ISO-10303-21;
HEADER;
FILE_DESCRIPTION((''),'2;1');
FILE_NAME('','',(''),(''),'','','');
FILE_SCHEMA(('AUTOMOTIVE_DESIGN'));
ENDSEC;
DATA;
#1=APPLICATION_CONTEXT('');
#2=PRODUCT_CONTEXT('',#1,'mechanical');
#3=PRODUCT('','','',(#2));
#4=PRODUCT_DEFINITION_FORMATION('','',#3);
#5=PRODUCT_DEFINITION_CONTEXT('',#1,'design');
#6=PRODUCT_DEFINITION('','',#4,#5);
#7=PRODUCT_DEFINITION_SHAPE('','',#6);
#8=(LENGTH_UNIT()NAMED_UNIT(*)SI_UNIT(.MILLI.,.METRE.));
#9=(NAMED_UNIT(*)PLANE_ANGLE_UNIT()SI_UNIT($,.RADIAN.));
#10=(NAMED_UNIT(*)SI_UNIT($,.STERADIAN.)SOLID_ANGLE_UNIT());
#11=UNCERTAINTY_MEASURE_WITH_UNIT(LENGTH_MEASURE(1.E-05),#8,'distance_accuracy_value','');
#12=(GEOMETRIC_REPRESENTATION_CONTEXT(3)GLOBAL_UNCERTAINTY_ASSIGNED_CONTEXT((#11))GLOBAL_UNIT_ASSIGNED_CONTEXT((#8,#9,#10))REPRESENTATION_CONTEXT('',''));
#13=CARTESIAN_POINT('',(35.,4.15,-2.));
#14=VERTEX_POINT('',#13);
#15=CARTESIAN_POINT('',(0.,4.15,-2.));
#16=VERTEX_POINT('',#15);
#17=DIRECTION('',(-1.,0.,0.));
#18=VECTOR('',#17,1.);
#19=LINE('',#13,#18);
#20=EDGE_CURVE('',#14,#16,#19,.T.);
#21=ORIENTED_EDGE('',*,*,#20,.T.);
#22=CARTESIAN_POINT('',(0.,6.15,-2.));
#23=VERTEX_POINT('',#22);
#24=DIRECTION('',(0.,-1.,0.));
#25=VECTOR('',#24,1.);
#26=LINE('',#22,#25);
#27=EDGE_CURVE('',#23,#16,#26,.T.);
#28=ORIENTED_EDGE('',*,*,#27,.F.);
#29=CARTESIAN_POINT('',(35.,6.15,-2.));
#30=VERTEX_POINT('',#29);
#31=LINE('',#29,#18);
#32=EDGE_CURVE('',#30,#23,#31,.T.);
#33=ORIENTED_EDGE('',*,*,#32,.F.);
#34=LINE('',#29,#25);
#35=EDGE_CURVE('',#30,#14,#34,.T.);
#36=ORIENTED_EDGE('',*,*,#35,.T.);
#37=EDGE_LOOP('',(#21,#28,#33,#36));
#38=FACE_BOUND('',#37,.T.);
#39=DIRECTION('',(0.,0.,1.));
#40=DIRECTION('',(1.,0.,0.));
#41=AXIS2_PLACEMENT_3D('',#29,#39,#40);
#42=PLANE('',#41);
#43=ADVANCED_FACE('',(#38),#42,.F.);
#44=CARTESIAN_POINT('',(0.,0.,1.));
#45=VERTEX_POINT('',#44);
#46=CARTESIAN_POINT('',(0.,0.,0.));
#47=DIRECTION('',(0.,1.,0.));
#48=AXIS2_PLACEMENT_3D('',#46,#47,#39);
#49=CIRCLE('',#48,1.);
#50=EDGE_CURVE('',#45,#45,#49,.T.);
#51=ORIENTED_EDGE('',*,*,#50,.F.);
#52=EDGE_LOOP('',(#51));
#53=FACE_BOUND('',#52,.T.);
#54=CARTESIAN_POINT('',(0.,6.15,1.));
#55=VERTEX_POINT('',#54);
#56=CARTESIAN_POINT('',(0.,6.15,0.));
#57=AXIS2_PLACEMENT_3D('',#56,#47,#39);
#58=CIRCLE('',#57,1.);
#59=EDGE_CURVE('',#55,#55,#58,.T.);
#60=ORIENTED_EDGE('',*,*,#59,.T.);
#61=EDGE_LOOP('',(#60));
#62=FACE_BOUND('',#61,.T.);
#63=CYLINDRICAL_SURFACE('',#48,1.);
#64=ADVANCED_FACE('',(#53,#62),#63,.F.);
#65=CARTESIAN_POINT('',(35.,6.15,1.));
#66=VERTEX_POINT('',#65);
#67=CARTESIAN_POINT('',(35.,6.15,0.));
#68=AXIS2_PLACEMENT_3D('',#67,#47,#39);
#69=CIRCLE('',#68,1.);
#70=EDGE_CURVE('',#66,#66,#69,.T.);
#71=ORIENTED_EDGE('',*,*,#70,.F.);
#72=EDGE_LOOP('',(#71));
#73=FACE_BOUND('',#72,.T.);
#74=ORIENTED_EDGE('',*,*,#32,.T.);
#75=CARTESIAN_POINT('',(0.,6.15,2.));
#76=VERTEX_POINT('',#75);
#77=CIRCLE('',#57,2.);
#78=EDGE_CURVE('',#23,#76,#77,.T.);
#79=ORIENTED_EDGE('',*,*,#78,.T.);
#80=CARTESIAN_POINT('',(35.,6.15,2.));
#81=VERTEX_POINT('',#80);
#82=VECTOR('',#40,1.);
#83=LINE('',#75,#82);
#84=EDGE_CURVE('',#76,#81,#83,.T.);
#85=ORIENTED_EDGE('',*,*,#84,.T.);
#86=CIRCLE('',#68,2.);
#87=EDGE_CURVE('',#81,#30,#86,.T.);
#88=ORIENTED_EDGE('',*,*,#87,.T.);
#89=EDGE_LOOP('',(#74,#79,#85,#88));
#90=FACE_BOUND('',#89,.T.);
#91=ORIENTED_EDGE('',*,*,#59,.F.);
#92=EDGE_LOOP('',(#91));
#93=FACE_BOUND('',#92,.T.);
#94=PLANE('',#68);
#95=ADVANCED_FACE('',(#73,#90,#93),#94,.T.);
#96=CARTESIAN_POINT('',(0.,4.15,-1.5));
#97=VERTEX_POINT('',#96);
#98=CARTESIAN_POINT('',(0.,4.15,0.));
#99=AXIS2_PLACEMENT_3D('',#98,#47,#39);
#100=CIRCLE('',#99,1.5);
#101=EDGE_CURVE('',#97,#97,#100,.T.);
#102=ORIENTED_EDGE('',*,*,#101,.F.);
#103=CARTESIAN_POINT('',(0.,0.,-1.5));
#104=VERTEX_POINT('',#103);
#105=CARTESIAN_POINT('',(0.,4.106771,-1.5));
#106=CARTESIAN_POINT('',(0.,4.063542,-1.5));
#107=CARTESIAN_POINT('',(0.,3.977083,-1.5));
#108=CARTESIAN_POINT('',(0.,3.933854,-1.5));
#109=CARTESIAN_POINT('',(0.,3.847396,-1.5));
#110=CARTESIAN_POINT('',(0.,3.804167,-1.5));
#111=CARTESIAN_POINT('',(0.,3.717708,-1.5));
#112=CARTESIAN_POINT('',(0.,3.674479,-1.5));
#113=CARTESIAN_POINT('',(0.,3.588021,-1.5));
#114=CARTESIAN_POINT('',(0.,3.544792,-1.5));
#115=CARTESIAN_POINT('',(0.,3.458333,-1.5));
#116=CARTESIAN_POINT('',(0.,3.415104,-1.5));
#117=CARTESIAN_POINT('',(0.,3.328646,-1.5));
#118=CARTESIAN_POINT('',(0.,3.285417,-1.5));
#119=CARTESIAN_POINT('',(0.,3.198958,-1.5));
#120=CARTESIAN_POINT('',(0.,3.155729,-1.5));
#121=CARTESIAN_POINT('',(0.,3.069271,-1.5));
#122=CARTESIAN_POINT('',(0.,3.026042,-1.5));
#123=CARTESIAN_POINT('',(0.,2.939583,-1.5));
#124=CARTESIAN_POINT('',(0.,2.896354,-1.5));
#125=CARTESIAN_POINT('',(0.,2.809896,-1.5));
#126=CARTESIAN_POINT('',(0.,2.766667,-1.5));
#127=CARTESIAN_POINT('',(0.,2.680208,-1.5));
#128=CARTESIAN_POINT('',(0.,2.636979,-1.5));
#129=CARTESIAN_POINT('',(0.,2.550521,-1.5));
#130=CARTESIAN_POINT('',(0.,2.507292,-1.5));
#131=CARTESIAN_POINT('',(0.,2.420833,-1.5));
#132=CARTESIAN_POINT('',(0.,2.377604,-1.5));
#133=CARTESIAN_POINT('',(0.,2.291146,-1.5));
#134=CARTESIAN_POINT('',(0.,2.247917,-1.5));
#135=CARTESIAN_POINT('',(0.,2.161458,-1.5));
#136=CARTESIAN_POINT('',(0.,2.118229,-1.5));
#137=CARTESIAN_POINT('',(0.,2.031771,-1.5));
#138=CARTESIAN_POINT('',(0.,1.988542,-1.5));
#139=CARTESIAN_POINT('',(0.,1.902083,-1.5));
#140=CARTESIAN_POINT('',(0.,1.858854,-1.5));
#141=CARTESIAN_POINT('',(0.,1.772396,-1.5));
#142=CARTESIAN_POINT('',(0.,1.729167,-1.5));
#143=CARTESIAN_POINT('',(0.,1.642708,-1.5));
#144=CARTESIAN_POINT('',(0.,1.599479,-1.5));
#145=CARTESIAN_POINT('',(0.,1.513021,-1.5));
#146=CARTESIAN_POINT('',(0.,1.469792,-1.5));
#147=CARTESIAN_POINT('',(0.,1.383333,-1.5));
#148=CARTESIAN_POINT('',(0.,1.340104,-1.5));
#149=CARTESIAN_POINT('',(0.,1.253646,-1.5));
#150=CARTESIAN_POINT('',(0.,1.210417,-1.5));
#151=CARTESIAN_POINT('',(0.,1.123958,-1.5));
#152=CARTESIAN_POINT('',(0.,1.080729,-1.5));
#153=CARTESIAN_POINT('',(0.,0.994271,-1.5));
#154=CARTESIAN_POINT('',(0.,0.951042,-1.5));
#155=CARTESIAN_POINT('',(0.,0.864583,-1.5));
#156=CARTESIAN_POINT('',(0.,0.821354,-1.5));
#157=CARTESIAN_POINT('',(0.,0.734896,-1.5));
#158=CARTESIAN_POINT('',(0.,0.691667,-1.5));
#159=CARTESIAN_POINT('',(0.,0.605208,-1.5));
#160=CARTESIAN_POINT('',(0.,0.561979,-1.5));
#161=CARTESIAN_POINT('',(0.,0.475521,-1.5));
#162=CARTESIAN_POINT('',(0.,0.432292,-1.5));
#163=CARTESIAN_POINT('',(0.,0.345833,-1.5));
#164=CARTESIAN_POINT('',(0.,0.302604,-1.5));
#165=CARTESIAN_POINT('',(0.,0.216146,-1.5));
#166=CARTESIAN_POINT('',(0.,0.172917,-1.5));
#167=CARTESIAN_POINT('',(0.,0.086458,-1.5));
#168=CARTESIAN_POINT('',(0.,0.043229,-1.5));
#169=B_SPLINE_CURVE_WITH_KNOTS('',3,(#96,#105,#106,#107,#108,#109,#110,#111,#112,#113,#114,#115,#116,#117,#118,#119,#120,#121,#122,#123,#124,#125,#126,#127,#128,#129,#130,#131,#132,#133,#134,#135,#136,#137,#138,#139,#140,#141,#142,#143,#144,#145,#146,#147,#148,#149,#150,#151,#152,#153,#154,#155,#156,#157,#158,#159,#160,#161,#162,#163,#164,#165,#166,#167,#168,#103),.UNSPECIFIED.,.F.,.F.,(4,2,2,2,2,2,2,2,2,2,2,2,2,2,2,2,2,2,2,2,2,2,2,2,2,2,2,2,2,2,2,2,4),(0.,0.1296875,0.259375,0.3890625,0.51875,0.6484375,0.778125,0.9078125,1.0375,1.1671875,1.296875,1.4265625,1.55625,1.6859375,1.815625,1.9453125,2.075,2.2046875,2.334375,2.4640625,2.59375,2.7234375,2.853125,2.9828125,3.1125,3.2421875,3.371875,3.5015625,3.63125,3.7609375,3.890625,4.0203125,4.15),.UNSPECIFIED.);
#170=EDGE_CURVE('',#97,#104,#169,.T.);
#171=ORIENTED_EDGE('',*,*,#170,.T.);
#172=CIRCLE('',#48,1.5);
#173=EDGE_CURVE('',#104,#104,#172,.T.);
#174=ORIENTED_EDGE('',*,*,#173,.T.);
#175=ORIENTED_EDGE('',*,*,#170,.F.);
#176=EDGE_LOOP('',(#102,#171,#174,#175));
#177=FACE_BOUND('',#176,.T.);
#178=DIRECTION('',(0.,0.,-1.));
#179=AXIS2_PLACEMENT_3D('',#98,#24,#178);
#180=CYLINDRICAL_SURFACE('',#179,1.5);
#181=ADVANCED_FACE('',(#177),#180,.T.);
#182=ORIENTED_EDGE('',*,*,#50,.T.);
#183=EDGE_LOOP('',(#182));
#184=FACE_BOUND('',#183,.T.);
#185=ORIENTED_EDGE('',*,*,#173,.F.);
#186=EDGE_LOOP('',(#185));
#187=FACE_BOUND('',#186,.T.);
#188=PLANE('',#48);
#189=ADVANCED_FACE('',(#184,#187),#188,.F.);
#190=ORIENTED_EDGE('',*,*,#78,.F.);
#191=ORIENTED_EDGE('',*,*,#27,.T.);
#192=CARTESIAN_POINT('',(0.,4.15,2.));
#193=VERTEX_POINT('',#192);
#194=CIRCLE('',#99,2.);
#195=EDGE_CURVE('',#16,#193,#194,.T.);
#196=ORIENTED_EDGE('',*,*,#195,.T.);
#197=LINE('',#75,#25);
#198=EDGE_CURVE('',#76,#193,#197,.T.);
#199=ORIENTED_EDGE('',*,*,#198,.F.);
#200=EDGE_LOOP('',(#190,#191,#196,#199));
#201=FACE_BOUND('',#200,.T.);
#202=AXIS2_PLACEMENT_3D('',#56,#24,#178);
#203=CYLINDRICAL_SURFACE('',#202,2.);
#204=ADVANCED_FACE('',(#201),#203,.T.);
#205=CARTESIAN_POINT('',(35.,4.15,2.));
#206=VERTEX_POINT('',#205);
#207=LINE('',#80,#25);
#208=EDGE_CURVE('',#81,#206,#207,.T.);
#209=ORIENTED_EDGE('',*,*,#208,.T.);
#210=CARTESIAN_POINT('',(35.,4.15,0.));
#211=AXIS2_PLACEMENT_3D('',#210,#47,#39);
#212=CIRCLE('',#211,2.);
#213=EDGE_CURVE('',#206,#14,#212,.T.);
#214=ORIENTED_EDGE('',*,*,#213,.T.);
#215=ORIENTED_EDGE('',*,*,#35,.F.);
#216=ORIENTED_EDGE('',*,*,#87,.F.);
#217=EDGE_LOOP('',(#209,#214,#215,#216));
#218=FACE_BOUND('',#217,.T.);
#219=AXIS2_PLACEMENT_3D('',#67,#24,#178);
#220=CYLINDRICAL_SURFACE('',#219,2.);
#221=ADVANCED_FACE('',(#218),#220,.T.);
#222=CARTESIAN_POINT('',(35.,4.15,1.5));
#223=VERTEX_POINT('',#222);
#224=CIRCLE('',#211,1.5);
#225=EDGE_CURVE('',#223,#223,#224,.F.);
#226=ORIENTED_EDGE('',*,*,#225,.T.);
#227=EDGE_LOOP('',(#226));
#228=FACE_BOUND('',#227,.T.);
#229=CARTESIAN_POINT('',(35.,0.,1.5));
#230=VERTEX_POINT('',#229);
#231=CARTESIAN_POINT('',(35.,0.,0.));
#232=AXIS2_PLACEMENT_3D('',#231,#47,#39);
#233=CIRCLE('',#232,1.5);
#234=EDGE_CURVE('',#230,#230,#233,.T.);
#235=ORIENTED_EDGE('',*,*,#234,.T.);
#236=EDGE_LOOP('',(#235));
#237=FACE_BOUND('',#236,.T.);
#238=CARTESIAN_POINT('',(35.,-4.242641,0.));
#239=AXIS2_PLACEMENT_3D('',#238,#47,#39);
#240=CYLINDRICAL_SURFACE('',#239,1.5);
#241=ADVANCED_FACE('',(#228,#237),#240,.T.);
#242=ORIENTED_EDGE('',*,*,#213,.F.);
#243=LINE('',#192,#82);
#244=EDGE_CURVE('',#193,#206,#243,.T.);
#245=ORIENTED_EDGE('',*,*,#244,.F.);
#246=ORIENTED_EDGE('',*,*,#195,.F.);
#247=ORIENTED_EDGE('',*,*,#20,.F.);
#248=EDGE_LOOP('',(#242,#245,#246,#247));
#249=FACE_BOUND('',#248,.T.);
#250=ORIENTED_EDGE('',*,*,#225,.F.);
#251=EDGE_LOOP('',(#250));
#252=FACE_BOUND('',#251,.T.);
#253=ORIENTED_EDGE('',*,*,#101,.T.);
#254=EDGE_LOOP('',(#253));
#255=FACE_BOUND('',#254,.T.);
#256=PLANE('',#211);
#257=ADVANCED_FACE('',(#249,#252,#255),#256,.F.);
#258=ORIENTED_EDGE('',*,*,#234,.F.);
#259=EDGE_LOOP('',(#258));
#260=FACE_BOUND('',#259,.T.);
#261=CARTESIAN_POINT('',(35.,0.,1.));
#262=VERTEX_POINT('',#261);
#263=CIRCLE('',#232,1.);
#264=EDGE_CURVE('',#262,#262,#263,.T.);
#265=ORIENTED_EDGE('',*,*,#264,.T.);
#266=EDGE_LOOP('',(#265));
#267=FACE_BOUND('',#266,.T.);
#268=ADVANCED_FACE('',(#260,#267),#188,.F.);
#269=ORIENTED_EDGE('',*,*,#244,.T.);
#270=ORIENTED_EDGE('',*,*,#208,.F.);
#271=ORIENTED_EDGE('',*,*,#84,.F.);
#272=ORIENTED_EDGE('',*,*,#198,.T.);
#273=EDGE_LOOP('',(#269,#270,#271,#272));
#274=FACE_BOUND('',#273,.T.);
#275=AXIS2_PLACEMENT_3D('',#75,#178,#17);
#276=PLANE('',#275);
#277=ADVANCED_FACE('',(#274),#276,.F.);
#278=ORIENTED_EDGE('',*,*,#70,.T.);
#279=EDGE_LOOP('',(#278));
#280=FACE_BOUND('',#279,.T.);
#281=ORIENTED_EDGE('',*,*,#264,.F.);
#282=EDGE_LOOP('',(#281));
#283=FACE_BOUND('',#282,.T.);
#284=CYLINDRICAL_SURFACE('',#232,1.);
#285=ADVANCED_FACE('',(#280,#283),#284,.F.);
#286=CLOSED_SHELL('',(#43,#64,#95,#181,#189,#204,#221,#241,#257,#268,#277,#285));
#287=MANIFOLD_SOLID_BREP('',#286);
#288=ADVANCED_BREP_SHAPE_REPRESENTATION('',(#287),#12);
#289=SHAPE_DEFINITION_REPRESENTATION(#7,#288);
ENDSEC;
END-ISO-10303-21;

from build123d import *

# Parameters (mm, degrees)
SKETCH1_R           = 1.5
BOSS_EXTRUDE1_DEPTH = 4.15
BOSS_EXTRUDE2_DEPTH = 2
SKETCH3_R           = 1.5
BOSS_EXTRUDE3_DEPTH = 4.15
SKETCH4_R           = 1
CUT_EXTRUDE1_DEPTH  = 38.560917188


with BuildPart() as part:
    # Sketch1 → Boss-Extrude1 (new body)
    with BuildSketch(Plane(origin=(0, 0, 0), x_dir=(1, 0, 0), z_dir=(0, 1, 0))):
        with Locations(Location((0, 0, 0), (0, 0, 90))):
            Circle(SKETCH1_R)
    extrude(amount=BOSS_EXTRUDE1_DEPTH)

    # Sketch2 → Boss-Extrude2 (add)
    with BuildSketch(Plane(origin=(0, 4.15, 0), x_dir=(1, 0, 0), z_dir=(0, 1, 0))):
        with BuildLine():
            Line((35, 2), (0, 2))
            ThreePointArc((0, 2), (-2, 0), (0, -2))
            Line((0, -2), (35, -2))
            ThreePointArc((35, -2), (37, 0), (35, 2))
        make_face()
    extrude(amount=BOSS_EXTRUDE2_DEPTH)

    # Sketch3 → Boss-Extrude3 (add)
    with BuildSketch(Plane.XZ.offset(-4.15)):
        with Locations(Location((35, 0, 0), (0, 0, 90))):
            Circle(SKETCH3_R)
    extrude(amount=BOSS_EXTRUDE3_DEPTH)

    # Sketch4 → Cut-Extrude1 (cut, through all)
    with BuildSketch(Plane(origin=(0, 6.15, 0), x_dir=(1, 0, 0), z_dir=(0, 1, 0))):
        with Locations(Location((0, 0, 0), (0, 0, 270))):
            Circle(SKETCH4_R)
        with Locations(Location((35, 0, 0), (0, 0, 270))):
            Circle(SKETCH4_R)
    extrude(amount=-CUT_EXTRUDE1_DEPTH, mode=Mode.SUBTRACT)


solid = part.part
